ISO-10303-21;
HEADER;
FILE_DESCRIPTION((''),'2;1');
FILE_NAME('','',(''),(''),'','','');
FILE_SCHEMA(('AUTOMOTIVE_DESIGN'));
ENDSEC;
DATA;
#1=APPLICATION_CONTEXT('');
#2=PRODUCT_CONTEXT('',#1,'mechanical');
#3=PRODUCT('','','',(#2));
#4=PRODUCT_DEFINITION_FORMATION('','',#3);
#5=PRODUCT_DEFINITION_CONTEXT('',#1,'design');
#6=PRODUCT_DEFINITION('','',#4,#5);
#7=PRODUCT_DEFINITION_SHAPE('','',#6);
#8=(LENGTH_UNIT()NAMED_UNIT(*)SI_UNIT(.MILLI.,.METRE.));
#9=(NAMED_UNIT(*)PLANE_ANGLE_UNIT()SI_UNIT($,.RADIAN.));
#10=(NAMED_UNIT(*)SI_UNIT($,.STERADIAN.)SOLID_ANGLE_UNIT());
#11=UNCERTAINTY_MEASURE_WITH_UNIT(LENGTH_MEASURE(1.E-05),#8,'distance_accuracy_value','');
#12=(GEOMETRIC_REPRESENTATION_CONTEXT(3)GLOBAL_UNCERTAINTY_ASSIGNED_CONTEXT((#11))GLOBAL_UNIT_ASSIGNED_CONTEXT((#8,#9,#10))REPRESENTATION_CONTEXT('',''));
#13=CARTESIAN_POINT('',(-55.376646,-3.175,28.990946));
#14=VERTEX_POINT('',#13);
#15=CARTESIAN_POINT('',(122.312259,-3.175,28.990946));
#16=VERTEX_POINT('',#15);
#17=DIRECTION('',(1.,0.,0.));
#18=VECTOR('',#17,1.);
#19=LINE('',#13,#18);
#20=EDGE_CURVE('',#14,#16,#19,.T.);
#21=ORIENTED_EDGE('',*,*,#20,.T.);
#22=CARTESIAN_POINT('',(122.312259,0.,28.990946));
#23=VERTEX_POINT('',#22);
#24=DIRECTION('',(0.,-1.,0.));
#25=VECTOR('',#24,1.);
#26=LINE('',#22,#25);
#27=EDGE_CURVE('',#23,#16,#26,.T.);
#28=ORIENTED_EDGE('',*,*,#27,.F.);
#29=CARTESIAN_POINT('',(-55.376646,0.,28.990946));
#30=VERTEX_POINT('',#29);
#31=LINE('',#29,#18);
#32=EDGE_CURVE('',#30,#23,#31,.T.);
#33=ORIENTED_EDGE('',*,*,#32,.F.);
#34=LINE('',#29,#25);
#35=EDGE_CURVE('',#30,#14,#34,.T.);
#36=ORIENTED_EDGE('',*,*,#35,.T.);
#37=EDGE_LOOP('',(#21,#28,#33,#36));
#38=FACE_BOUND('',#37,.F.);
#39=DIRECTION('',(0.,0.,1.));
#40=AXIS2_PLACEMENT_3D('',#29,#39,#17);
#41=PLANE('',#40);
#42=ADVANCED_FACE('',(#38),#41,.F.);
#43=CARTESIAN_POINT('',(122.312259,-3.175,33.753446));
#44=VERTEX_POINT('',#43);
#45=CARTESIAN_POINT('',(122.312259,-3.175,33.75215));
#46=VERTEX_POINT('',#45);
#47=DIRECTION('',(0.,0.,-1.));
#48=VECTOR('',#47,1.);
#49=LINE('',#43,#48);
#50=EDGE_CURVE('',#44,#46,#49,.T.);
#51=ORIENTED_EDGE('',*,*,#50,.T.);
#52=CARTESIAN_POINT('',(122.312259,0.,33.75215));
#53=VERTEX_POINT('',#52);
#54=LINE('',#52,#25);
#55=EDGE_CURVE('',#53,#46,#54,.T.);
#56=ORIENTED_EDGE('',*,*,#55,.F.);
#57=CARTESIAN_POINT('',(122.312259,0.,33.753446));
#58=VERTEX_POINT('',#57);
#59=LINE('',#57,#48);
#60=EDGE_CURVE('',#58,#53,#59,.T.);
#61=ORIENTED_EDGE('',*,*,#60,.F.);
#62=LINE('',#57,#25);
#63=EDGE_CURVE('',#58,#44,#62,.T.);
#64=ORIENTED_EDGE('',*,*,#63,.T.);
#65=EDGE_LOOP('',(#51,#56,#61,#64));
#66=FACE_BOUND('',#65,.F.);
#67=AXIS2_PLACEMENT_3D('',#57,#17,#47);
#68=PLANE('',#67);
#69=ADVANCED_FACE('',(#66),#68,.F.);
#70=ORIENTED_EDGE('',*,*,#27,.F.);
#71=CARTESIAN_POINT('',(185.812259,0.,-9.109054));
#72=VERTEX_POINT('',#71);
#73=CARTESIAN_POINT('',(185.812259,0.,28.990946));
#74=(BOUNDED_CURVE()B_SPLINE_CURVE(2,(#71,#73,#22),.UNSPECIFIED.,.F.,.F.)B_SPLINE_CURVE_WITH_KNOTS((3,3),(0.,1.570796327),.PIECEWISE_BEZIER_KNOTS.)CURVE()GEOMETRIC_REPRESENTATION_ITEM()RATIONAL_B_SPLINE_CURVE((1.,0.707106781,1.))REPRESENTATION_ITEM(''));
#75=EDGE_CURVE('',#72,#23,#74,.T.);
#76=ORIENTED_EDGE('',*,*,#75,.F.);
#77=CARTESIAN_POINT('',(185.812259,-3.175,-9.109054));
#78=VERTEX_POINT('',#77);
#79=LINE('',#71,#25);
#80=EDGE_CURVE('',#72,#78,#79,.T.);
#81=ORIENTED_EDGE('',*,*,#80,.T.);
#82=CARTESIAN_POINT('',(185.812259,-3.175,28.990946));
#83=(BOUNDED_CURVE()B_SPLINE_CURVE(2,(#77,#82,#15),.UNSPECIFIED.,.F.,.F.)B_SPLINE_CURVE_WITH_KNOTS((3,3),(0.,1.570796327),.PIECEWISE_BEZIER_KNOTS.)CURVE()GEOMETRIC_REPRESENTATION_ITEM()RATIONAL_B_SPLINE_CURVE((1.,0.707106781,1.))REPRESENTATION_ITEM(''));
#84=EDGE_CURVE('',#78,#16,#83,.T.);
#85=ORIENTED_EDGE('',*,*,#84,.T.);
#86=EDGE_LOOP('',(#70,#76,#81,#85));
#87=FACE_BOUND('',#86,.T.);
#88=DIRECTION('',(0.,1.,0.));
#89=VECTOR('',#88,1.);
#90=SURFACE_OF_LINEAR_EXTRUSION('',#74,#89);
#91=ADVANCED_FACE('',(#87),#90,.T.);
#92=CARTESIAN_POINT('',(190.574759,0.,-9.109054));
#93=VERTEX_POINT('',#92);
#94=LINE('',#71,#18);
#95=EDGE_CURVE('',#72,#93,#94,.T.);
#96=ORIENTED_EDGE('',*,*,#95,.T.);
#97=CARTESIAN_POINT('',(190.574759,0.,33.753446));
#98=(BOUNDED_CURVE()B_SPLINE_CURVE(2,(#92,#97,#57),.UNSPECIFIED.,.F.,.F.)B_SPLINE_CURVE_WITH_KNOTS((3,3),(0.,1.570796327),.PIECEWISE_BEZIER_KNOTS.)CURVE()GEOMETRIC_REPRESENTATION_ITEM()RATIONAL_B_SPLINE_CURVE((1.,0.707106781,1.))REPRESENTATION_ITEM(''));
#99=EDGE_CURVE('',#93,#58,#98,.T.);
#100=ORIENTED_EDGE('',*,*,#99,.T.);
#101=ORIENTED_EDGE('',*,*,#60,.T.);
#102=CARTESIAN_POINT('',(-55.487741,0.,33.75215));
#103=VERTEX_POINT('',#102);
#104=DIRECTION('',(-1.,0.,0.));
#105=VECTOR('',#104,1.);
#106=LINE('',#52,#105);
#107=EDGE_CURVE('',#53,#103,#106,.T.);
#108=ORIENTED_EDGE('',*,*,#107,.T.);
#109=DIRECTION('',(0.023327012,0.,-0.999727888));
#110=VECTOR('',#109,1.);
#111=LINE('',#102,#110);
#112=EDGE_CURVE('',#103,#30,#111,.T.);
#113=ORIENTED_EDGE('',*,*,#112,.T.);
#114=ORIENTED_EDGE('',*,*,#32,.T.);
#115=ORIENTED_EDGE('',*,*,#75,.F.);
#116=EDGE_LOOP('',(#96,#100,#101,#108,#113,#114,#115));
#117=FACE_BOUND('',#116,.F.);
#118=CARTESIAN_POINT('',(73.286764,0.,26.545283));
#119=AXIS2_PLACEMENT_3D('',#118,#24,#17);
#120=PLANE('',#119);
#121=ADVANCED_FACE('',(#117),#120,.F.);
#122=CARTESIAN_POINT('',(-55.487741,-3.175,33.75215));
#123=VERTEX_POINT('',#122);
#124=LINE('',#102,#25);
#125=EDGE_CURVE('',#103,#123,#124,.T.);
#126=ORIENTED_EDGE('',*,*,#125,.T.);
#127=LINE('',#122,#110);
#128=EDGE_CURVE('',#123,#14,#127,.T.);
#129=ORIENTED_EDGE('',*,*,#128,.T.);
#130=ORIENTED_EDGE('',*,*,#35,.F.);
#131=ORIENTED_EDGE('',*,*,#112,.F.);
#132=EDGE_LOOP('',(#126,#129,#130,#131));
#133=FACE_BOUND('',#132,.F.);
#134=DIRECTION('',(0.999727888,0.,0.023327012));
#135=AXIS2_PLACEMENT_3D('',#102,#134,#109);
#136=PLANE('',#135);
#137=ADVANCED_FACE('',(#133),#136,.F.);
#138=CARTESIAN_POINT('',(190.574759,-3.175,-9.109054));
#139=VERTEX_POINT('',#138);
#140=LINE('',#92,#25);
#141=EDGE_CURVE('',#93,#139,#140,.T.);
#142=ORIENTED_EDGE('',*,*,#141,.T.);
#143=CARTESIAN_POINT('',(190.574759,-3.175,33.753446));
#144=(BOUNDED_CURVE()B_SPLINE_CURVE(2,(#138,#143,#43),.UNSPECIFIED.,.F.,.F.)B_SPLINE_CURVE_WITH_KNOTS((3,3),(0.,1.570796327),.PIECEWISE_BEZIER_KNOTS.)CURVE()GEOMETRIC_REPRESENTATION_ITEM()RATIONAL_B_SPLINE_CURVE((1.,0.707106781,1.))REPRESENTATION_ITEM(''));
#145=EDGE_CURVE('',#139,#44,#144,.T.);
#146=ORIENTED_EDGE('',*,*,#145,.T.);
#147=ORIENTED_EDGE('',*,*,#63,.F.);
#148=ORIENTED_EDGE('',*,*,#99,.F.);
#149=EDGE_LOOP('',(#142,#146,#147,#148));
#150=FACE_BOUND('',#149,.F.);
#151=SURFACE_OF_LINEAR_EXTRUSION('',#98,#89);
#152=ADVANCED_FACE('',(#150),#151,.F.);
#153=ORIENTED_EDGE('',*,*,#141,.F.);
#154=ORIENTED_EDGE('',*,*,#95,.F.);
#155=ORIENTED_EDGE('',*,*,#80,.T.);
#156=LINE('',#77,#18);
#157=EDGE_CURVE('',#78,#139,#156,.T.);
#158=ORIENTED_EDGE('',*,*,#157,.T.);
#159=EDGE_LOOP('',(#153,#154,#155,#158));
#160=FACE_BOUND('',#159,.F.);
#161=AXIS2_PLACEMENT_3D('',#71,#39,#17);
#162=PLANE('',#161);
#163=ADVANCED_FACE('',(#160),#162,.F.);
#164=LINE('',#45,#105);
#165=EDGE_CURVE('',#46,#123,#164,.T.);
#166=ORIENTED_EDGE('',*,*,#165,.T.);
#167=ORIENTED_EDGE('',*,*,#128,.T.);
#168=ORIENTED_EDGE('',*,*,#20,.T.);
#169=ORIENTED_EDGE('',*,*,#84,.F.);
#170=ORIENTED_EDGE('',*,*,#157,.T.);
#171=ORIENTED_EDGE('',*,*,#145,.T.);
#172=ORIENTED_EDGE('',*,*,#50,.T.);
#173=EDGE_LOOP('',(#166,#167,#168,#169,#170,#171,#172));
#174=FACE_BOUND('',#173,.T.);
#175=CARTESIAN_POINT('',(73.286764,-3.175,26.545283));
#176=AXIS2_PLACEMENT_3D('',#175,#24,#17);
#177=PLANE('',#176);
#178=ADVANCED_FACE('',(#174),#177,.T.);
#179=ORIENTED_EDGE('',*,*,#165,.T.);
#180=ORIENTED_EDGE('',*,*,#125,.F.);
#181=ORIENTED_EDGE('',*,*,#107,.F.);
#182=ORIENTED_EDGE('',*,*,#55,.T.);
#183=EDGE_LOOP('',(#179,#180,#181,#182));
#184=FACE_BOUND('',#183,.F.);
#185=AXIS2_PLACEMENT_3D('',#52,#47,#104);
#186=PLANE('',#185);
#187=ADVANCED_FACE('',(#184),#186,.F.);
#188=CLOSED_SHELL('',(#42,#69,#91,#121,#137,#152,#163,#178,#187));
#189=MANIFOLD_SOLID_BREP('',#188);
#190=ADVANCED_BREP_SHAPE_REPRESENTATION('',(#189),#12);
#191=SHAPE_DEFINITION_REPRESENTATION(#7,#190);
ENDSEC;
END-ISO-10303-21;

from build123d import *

# Parameters (mm, degrees)
F1_DEPTH = 3.175


with BuildPart() as f1:
    # F0 (on Front) → F1 (new body)
    with BuildSketch(Plane.XZ):
        with BuildLine():
            Line((122.3122592662, 33.7521504266), (-55.4877407338, 33.7521504266))
            Line((-55.4877407338, 33.7521504266), (-55.3766458406, 28.9909463589))
            Line((-55.3766458406, 28.9909463589), (122.3122592662, 28.9909463589))
            add(Edge.make_bspline(
                [(185.8122592662, -9.1090536411), (185.8122592662, 28.9909463589), (122.3122592662, 28.9909463589)],
                knots=[0, 0, 0, 1.5707963268, 1.5707963268, 1.5707963268], degree=2, weights=[1, 0.7071067812, 1]))
            Line((185.8122592662, -9.1090536411), (190.5747592662, -9.1090536411))
            add(Edge.make_bspline(
                [(190.5747592662, -9.1090536411), (190.5747592662, 33.7534463589), (122.3122592662, 33.7534463589)],
                knots=[0, 0, 0, 1.5707963268, 1.5707963268, 1.5707963268], degree=2, weights=[1, 0.7071067812, 1]))
            Line((122.3122592662, 33.7534463589), (122.3122592662, 33.7521504266))
        make_face()
    extrude(amount=F1_DEPTH)


solid = f1.part
